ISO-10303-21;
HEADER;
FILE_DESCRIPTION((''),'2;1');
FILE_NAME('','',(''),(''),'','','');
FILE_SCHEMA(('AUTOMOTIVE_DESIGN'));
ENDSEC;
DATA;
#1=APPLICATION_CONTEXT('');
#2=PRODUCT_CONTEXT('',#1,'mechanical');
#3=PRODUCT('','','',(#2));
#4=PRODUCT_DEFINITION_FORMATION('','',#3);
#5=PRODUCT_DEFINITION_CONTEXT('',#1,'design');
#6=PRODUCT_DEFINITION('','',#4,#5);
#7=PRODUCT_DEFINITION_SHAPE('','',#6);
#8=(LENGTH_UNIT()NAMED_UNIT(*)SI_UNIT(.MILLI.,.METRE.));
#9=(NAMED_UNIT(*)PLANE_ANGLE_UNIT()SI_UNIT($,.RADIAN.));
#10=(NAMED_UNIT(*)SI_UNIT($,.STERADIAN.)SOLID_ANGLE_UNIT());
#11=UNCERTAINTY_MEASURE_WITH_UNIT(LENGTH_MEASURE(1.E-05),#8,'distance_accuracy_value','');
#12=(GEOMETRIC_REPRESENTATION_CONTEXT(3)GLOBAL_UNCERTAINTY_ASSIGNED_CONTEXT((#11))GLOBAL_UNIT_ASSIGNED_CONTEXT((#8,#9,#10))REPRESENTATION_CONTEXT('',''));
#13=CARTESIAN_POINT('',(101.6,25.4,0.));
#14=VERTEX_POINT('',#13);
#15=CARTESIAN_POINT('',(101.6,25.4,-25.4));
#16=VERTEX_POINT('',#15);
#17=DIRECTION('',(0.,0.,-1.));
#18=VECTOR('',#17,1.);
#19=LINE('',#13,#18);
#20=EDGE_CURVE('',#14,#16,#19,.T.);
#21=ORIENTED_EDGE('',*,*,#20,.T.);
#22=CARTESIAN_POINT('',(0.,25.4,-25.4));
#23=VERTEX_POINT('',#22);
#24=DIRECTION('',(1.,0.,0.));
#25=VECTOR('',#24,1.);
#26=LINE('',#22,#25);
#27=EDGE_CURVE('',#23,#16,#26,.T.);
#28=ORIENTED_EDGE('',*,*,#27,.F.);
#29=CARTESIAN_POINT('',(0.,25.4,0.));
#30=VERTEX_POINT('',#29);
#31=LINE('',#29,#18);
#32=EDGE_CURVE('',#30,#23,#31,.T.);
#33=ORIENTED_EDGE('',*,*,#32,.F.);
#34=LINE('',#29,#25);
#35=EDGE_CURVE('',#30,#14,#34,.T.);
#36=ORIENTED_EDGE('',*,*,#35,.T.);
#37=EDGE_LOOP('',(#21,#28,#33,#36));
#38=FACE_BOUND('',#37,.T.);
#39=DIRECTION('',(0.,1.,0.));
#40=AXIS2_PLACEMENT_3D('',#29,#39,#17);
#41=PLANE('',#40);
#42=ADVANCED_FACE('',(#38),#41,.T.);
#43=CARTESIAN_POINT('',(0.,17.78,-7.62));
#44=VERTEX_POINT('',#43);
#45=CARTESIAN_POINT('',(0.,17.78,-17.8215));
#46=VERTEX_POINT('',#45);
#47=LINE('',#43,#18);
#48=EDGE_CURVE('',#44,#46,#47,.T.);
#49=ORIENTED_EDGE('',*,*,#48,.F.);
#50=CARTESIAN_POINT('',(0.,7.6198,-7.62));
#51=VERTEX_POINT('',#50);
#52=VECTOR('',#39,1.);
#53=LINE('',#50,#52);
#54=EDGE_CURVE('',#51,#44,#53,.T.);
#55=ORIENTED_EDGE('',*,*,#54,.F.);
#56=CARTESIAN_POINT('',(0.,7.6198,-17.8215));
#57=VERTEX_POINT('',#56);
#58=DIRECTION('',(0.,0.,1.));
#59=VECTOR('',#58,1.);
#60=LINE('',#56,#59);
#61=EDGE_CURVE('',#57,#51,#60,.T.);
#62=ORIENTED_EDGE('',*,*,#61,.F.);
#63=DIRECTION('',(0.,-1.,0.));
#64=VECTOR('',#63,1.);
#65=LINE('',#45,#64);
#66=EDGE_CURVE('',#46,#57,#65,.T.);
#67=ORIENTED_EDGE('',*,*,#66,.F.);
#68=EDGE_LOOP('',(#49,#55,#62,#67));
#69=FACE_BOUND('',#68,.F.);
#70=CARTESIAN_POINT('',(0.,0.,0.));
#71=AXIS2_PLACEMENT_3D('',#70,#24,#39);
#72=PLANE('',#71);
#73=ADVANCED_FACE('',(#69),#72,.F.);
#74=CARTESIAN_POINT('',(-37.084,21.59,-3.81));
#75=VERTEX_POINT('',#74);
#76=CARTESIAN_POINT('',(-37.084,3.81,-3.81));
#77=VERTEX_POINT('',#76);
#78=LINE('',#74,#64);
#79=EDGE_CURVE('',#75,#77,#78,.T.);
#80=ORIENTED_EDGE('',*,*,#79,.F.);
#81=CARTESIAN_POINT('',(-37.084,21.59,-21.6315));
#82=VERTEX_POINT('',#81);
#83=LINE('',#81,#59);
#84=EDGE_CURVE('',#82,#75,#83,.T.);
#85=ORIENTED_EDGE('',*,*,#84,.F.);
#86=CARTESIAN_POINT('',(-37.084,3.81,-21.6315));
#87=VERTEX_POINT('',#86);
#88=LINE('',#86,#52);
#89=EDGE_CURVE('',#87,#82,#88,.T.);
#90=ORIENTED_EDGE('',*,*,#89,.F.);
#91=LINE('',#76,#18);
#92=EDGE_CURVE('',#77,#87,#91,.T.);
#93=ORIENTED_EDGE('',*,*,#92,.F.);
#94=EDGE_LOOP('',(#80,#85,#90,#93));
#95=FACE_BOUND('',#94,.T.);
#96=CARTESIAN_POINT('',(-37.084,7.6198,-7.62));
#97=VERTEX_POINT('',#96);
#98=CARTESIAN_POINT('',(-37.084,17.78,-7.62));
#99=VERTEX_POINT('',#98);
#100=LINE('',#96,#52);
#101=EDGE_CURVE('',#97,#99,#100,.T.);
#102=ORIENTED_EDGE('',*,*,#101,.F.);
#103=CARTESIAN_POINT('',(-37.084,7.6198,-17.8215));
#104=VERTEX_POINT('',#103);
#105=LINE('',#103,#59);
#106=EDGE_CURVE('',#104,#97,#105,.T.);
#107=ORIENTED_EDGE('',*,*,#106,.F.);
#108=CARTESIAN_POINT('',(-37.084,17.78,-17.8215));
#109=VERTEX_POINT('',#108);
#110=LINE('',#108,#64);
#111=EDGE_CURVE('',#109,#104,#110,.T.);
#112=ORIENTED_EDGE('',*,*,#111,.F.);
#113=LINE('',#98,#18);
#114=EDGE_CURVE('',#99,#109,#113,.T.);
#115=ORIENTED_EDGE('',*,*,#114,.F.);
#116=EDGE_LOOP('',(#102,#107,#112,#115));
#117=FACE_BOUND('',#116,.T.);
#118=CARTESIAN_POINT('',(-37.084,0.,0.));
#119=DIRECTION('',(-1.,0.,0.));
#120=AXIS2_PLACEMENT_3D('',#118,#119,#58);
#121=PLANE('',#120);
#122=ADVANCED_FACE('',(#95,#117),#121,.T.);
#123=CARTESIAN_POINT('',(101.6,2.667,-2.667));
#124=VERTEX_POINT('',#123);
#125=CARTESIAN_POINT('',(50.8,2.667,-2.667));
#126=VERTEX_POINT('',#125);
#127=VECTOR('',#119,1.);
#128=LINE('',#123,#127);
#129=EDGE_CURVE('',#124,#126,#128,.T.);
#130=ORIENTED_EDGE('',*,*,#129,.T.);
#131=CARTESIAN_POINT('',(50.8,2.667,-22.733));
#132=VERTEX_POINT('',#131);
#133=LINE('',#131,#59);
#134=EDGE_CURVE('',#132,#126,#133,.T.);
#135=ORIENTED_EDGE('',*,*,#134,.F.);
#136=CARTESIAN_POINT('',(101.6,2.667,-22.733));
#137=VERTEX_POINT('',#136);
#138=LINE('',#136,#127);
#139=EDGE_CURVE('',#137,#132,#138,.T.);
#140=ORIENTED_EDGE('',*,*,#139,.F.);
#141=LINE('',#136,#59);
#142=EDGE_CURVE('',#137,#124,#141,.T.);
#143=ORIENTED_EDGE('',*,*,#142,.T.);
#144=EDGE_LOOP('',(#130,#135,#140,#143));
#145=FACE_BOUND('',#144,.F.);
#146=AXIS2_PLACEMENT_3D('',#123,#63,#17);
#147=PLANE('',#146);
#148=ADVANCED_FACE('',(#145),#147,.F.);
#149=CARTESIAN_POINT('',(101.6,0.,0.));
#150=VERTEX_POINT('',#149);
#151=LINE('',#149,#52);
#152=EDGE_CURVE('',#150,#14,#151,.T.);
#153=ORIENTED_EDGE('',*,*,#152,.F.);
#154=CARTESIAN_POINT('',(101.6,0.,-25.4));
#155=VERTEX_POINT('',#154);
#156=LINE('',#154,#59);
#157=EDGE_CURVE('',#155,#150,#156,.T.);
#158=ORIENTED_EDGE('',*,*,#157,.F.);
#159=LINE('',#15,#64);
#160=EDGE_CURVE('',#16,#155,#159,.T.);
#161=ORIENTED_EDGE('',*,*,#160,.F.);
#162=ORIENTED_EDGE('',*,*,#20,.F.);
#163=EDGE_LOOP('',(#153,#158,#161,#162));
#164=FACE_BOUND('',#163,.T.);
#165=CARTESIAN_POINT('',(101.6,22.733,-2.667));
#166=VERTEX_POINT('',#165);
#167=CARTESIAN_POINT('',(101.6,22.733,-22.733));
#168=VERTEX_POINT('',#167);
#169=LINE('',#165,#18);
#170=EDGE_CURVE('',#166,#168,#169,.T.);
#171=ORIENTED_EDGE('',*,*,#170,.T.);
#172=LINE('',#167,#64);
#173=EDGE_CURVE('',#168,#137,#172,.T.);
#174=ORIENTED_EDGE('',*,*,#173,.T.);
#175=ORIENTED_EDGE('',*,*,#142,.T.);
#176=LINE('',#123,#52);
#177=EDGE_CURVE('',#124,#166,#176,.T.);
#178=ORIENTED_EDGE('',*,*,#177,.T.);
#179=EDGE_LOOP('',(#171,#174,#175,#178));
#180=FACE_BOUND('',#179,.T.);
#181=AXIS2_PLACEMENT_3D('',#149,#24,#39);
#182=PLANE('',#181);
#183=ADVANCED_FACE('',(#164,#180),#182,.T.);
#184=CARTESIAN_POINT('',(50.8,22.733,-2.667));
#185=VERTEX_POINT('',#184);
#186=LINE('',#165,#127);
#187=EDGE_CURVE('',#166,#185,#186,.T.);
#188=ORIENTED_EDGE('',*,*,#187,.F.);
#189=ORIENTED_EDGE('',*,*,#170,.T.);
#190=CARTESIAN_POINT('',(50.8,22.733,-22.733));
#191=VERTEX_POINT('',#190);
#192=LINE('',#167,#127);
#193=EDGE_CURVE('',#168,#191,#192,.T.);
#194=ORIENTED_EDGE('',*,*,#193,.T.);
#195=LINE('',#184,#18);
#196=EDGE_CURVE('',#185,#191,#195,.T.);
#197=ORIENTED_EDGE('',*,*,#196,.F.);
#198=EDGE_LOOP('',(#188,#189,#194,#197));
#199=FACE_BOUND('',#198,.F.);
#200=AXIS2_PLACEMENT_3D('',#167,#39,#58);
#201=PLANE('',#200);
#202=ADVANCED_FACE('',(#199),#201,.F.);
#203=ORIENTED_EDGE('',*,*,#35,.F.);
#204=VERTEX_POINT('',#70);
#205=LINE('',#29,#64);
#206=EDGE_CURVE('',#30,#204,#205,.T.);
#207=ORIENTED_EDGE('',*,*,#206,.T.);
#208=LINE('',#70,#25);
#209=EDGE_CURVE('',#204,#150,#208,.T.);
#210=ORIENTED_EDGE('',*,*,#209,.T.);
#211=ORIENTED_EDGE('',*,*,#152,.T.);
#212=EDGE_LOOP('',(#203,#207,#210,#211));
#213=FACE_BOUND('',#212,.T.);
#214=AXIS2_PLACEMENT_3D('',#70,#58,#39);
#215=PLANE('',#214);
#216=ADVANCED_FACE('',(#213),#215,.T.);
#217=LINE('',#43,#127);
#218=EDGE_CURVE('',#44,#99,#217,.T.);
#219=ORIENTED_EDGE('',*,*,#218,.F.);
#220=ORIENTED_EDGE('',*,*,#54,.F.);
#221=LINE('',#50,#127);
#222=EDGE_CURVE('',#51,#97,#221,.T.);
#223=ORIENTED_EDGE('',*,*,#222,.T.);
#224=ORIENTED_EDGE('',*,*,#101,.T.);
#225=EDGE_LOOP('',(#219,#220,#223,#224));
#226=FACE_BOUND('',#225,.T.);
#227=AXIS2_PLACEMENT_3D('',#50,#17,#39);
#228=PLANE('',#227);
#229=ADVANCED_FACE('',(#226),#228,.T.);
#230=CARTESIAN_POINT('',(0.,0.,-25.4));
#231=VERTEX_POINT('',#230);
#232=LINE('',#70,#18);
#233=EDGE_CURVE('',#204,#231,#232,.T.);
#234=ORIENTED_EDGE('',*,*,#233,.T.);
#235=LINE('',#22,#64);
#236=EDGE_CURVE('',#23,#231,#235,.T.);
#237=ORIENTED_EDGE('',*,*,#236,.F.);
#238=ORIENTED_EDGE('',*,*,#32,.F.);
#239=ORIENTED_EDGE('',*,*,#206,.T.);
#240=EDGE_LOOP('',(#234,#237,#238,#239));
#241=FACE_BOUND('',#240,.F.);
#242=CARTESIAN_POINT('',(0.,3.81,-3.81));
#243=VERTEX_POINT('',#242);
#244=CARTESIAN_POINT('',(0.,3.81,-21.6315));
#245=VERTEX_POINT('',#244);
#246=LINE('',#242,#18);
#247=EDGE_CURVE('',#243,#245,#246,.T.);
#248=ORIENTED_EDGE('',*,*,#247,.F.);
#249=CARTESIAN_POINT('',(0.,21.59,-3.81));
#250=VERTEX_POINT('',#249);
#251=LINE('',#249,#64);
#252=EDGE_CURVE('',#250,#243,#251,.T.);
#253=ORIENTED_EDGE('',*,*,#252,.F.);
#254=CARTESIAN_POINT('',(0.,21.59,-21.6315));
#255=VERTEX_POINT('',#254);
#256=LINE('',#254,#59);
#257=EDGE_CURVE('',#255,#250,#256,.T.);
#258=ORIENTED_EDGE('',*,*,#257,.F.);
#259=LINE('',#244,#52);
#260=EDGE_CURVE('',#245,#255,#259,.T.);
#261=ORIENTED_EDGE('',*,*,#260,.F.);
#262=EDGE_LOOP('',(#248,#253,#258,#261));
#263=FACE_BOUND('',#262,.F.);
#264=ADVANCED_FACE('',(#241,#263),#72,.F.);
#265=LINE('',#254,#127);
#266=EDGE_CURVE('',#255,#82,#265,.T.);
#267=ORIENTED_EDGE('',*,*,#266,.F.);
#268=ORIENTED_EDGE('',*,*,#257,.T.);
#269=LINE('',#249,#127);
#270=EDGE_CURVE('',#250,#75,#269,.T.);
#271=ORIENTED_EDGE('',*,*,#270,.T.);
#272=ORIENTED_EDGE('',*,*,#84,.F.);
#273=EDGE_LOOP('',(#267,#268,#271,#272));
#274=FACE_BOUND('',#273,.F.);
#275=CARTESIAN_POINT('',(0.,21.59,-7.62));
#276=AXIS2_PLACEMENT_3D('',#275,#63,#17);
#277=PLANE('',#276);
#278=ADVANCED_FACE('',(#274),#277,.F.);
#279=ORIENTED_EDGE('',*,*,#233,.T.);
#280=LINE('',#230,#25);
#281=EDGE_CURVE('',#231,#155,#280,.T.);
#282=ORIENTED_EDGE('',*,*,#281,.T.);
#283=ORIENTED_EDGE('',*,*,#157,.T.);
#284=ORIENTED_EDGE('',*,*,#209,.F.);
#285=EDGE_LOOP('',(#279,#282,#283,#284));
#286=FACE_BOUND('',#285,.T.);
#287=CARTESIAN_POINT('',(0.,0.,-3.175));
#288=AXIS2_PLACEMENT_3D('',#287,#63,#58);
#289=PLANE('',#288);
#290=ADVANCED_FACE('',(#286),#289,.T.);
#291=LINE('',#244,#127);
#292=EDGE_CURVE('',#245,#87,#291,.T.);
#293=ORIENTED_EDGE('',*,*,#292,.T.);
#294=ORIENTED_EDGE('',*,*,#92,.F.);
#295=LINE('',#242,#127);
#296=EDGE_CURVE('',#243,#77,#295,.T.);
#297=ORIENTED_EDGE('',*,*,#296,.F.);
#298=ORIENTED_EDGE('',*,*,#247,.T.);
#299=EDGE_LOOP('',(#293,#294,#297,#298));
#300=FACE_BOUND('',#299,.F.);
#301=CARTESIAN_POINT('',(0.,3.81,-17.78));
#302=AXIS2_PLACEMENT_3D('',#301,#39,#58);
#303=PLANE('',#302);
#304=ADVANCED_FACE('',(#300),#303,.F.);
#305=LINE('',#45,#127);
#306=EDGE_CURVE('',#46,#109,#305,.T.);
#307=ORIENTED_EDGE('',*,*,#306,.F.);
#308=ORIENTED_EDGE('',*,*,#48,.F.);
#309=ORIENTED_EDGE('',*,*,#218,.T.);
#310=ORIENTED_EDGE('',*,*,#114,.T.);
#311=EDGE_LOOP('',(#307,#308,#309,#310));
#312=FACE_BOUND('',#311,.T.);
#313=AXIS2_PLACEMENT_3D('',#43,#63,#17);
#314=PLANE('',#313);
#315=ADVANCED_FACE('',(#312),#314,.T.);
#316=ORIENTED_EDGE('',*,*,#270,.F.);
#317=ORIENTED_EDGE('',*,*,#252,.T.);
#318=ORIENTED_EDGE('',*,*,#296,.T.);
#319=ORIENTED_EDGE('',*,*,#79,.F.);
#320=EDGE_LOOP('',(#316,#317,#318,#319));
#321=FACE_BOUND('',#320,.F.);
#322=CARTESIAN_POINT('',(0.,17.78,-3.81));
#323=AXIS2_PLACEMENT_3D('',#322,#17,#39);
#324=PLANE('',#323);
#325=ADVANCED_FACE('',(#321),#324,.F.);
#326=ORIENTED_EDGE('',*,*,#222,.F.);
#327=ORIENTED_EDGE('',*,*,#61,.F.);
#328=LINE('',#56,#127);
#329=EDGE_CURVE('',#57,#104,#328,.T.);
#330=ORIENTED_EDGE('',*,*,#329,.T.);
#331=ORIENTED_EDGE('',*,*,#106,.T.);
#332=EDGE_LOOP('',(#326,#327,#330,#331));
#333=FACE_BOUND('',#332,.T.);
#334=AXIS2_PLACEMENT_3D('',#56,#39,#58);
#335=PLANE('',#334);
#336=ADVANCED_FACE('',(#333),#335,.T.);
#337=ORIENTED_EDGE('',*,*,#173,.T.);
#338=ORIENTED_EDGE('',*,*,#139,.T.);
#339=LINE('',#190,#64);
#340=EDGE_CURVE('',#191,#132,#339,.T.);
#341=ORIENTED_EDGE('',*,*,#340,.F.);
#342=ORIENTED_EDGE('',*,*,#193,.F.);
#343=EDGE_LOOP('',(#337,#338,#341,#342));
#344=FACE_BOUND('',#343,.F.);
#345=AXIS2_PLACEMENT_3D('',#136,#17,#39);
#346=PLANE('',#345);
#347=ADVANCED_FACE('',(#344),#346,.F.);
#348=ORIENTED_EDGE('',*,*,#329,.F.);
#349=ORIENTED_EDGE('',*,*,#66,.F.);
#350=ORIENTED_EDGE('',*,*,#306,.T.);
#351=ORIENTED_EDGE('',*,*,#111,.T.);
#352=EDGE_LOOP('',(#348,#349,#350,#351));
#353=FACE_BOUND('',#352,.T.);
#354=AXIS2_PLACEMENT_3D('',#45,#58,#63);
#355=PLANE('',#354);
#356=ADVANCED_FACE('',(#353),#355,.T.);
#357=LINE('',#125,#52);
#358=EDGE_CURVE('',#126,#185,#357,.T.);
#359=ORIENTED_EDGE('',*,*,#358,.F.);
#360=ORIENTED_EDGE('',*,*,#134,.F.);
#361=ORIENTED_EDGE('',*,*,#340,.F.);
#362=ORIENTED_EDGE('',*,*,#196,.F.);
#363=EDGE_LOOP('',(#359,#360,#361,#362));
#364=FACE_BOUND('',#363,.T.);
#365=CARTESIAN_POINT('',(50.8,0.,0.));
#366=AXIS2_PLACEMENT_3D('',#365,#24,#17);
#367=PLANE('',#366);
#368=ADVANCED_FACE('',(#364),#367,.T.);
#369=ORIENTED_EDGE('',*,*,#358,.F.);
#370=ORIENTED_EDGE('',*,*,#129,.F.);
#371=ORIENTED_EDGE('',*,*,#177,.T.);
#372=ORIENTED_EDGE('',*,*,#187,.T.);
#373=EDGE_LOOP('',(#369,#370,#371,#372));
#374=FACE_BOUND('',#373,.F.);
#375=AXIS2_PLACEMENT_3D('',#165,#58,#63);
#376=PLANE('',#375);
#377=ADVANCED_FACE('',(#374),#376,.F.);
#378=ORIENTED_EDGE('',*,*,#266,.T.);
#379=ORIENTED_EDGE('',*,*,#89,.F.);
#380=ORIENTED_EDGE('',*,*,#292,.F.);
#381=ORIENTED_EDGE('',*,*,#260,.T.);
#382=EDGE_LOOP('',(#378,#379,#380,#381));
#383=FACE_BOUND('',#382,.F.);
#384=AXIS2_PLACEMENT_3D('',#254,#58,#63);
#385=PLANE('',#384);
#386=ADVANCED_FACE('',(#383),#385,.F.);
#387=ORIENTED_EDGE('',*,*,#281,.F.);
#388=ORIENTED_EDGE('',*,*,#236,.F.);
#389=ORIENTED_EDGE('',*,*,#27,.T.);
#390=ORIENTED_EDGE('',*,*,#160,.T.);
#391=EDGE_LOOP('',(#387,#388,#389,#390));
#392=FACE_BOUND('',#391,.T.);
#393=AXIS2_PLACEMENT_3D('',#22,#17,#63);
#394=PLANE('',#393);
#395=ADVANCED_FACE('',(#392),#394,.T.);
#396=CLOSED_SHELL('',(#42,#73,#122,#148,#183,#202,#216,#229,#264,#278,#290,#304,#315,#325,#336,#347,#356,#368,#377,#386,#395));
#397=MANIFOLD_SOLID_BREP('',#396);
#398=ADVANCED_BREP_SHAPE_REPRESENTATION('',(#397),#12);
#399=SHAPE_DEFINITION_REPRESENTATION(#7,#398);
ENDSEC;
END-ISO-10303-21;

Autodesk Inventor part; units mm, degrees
ref_plane "YZ Plane" through (0, 0, 0) normal (1, 0, 0) x (0, 1, 0)
ref_plane "XZ Plane" through (0, 0, 0) normal (0, 1, 0) x (-1, 0, 0)
ref_plane "XY Plane" through (0, 0, 0) normal (0, 0, 1) x (1, 0, 0)
sketch "Sketch1" plane through (0, 0, 0) normal (1, 0, 0) x (0, 1, 0)
  line L0 (0, 0) -> (25.4, 0)
  line L1 (25.4, 0) -> (25.4, -25.4)
  line L2 (25.4, -25.4) -> (0, -25.4)
  line L3 (0, -25.4) -> (0, 0)
  line L4 (0, 0) -> (3.175, 0)
  line L5 (0, -3.175) -> (0, 0)
  line L6 (3.175, -3.175) -> (22.225, -3.175)
  line L7 (22.225, -3.175) -> (22.225, -22.225)
  line L8 (22.225, -22.225) -> (3.175, -22.225)
  line L9 (3.175, -22.225) -> (3.175, -3.175)
  dimension "d0" = 25.4
  dimension "d1" = 25.4
  dimension "d6" = 19.05
  dimension "d7" = 19.05
extrude "Extrusion1" add sketch "Sketch1" along normal blind 101.6 contours L0 L1 L2 L3 | L6 L7 L8 L9
sketch "Sketch2" plane through (101.6, 0, 0) normal (1, 0, 0) x (0, 0, -1)
  line L0 (22.733, 22.225) -> (22.733, 22.733)
  line L1 (22.733, 22.733) -> (22.225, 22.733)
  line L2 (2.667, 3.175) -> (2.667, 2.667)
  line L3 (2.667, 2.667) -> (3.175, 2.667)
  line L4 (2.667, 2.667) -> (22.733, 2.667)
  line L5 (22.733, 2.667) -> (22.733, 22.733)
  line L6 (22.733, 22.733) -> (2.667, 22.733)
  line L7 (2.667, 22.733) -> (2.667, 2.667)
  point P0 (0, 0)
extrude "Extrusion2" cut sketch "Sketch2" against normal blind 50.8
sketch "Sketch3" plane through (0, 0, 0) normal (-1, 0, 0) x (0, 0, 1)
  line L0 (-25.4, 0) -> (-21.6315, 0)
  line L1 (-21.6315, 3.81) -> (-17.78, 3.81)
  line L2 (-21.6315, 7.62) -> (-21.6315, 3.81)
  line L3 (-3.81, 21.59) -> (-7.62, 21.59)
  line L4 (-3.81, 17.78) -> (-3.81, 21.59)
  line L5 (-21.6315, 3.81) -> (-3.81, 3.81)
  line L6 (-3.81, 3.81) -> (-3.81, 21.59)
  line L7 (-3.81, 21.59) -> (-21.6315, 21.59)
  line L8 (-21.6315, 21.59) -> (-21.6315, 3.81)
  line L9 (-17.8215, 7.6198) -> (-7.62, 7.6198)
  line L10 (-7.62, 7.6198) -> (-7.62, 17.78)
  line L11 (-7.62, 17.78) -> (-17.8215, 17.78)
  line L12 (-17.8215, 17.78) -> (-17.8215, 7.6198)
  point P0 (0, 25.4)
extrude "Extrusion3" add sketch "Sketch3" along normal blind 37.084
properties part number "Right Side PIece Corrected 0.02 inch"
